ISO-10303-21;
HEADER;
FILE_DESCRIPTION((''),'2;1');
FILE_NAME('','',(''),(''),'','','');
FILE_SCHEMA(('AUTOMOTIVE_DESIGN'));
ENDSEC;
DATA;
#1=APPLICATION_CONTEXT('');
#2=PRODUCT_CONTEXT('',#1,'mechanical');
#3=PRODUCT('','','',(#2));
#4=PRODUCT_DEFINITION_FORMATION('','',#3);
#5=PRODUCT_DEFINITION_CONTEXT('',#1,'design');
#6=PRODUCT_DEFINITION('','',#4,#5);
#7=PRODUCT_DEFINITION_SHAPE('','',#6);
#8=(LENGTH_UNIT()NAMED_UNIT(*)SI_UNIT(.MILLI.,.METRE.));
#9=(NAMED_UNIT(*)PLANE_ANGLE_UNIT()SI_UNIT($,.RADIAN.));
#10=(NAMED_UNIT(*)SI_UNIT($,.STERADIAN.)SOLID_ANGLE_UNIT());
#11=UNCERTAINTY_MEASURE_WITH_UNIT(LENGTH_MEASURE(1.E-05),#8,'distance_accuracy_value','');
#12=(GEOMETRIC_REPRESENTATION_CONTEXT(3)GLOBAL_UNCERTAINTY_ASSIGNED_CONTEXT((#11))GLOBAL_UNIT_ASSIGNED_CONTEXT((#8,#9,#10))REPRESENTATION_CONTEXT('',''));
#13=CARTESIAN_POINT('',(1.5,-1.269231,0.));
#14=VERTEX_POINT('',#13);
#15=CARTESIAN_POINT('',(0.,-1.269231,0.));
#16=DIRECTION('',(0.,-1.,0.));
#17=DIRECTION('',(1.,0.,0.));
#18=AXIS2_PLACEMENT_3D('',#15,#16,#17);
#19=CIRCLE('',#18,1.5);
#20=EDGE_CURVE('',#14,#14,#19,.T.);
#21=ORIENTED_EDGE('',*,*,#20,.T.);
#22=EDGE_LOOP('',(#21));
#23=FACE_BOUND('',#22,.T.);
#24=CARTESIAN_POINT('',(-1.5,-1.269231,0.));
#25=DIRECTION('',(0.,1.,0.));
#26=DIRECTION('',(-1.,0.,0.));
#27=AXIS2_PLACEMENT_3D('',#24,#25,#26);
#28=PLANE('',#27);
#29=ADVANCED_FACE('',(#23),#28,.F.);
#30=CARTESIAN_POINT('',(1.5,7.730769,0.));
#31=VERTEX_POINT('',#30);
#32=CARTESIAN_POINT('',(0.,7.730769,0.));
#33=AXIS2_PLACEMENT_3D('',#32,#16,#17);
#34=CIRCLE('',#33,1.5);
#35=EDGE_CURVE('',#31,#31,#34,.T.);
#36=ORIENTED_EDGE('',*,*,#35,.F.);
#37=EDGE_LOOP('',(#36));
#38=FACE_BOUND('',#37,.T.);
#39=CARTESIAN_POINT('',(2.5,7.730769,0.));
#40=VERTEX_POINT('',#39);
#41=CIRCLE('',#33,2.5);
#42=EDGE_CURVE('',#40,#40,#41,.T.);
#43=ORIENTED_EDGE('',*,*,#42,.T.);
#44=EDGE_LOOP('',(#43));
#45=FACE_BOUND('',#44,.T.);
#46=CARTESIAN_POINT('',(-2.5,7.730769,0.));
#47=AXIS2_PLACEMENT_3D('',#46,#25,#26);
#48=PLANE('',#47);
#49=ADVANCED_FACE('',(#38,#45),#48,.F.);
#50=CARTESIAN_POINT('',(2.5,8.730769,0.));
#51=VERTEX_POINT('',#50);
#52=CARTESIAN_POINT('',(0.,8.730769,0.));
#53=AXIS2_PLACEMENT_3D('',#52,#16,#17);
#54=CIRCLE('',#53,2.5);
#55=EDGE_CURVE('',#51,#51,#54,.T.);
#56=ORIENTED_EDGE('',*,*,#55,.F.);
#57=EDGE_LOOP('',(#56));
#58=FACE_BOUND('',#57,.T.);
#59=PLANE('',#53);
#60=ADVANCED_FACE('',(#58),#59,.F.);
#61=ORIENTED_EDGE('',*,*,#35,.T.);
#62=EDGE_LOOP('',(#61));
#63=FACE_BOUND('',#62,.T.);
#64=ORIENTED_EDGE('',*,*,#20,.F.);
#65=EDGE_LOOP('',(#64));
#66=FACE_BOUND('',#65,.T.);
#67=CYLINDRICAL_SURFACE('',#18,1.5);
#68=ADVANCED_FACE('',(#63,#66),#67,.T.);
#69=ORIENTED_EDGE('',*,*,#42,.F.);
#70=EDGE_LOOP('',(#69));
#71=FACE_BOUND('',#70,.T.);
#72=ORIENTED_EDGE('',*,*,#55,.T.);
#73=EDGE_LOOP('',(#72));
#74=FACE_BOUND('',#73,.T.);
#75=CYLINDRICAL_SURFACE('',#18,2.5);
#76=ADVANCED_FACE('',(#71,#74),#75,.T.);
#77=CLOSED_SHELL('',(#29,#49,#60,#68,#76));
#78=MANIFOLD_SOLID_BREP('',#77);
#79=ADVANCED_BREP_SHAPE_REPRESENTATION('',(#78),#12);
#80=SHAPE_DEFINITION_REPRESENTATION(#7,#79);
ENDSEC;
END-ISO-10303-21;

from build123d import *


with BuildPart() as part:
    # Sketch1 → Revolve1 (revolve)
    with BuildSketch(Plane.XY, mode=Mode.PRIVATE) as revolve1_sk:
        Polygon((0, -1.269230769), (0, 8.730769231), (-2.5, 8.730769231), (-2.5, 7.730769231), (-1.5, 7.730769231), (-1.5, -1.269230769), align=None)
    revolve(revolve1_sk.sketch.rotate(Axis((0, -1.269230769, 0), (0, 1, 0)), 180), axis=Axis((0, -1.269230769, 0), (0, 1, 0)))


solid = part.part
